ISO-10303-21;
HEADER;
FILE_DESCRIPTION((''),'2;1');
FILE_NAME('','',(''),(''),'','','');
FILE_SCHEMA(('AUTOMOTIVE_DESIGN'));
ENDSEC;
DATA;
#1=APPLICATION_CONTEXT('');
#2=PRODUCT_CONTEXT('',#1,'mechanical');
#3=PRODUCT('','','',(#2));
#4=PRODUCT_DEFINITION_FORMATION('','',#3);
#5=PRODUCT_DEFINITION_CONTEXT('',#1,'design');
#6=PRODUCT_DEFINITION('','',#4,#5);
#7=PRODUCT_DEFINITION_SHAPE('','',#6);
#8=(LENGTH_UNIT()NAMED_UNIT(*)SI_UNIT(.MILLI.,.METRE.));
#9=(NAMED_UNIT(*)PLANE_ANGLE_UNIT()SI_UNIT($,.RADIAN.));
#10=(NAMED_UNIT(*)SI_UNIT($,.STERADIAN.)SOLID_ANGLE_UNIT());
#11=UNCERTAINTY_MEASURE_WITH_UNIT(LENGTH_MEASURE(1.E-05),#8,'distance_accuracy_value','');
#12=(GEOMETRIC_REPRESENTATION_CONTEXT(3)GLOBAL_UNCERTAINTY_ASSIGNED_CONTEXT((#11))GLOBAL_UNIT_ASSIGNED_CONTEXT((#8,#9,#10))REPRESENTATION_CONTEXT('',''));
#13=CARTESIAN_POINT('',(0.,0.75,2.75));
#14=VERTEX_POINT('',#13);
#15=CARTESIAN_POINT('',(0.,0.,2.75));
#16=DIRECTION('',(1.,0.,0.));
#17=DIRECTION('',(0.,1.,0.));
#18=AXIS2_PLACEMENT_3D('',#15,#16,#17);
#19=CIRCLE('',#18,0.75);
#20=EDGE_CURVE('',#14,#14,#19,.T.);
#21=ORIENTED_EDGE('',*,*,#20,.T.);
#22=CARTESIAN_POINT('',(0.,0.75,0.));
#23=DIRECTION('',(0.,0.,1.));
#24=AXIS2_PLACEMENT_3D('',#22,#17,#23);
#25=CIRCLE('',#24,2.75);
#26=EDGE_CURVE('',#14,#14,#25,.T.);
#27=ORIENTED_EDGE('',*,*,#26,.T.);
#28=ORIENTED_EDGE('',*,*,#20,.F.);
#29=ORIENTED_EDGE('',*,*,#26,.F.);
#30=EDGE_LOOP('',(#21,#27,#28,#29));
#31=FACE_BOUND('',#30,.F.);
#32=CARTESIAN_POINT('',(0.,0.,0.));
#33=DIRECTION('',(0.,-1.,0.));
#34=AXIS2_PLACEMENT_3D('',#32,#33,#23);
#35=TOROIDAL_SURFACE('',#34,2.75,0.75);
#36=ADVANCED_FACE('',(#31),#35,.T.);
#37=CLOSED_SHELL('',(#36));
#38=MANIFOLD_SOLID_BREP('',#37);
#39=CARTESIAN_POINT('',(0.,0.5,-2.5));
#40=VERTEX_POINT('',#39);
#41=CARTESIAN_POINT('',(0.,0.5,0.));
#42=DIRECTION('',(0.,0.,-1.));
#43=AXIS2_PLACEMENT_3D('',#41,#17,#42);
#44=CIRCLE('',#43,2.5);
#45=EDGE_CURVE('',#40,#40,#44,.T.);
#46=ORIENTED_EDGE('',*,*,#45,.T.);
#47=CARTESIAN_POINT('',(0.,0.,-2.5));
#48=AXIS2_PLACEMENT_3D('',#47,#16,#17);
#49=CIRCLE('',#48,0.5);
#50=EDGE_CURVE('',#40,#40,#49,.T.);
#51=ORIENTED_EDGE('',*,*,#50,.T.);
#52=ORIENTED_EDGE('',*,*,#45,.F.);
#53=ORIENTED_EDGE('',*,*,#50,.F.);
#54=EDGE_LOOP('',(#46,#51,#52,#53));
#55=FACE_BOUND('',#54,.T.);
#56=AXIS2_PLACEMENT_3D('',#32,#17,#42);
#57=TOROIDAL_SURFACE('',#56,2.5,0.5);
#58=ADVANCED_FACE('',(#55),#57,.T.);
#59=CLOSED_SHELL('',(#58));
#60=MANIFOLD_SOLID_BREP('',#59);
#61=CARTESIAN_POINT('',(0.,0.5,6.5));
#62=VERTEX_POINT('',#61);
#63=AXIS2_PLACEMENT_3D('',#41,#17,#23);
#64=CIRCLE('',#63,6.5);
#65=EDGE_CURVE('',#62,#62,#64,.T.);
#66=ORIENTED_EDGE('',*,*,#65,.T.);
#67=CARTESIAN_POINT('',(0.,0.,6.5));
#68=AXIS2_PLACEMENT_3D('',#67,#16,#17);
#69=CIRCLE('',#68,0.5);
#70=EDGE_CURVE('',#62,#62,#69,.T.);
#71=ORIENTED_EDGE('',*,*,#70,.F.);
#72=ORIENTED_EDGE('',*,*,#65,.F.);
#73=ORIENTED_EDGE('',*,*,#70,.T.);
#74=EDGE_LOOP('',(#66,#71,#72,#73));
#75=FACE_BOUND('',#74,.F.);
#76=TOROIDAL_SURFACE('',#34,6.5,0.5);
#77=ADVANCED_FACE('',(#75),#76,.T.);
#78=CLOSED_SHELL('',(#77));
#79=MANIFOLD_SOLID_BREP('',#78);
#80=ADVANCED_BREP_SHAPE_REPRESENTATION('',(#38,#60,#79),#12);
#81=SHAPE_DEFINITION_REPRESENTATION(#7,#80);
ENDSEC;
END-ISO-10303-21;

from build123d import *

# Parameters (mm, degrees)
F0_R   = 0.5
F0_R_2 = 0.75


with BuildPart() as f2:
    # F0 (on Right) → F2 (revolve)
    with BuildSketch(Plane.YZ):
        with Locations((0, 6.5)):
            Circle(F0_R)
    revolve(axis=Axis((0, 7.439785, 0), (0, 1, 0)))


with BuildPart() as f3:
    # F0 (on Right) → F3 (revolve)
    with BuildSketch(Plane.YZ):
        with Locations((0, 2.75)):
            Circle(F0_R_2)
    revolve(axis=Axis((0, 7.439785, 0), (0, 1, 0)))


with BuildPart() as f4:
    # F0 (on Right) → F4 (revolve)
    with BuildSketch(Plane.YZ):
        with Locations((0, -2.5)):
            Circle(F0_R)
    revolve(axis=Axis((0, 7.439785, 0), (0, 1, 0)))


solid = Compound([f2.part, f3.part, f4.part])
